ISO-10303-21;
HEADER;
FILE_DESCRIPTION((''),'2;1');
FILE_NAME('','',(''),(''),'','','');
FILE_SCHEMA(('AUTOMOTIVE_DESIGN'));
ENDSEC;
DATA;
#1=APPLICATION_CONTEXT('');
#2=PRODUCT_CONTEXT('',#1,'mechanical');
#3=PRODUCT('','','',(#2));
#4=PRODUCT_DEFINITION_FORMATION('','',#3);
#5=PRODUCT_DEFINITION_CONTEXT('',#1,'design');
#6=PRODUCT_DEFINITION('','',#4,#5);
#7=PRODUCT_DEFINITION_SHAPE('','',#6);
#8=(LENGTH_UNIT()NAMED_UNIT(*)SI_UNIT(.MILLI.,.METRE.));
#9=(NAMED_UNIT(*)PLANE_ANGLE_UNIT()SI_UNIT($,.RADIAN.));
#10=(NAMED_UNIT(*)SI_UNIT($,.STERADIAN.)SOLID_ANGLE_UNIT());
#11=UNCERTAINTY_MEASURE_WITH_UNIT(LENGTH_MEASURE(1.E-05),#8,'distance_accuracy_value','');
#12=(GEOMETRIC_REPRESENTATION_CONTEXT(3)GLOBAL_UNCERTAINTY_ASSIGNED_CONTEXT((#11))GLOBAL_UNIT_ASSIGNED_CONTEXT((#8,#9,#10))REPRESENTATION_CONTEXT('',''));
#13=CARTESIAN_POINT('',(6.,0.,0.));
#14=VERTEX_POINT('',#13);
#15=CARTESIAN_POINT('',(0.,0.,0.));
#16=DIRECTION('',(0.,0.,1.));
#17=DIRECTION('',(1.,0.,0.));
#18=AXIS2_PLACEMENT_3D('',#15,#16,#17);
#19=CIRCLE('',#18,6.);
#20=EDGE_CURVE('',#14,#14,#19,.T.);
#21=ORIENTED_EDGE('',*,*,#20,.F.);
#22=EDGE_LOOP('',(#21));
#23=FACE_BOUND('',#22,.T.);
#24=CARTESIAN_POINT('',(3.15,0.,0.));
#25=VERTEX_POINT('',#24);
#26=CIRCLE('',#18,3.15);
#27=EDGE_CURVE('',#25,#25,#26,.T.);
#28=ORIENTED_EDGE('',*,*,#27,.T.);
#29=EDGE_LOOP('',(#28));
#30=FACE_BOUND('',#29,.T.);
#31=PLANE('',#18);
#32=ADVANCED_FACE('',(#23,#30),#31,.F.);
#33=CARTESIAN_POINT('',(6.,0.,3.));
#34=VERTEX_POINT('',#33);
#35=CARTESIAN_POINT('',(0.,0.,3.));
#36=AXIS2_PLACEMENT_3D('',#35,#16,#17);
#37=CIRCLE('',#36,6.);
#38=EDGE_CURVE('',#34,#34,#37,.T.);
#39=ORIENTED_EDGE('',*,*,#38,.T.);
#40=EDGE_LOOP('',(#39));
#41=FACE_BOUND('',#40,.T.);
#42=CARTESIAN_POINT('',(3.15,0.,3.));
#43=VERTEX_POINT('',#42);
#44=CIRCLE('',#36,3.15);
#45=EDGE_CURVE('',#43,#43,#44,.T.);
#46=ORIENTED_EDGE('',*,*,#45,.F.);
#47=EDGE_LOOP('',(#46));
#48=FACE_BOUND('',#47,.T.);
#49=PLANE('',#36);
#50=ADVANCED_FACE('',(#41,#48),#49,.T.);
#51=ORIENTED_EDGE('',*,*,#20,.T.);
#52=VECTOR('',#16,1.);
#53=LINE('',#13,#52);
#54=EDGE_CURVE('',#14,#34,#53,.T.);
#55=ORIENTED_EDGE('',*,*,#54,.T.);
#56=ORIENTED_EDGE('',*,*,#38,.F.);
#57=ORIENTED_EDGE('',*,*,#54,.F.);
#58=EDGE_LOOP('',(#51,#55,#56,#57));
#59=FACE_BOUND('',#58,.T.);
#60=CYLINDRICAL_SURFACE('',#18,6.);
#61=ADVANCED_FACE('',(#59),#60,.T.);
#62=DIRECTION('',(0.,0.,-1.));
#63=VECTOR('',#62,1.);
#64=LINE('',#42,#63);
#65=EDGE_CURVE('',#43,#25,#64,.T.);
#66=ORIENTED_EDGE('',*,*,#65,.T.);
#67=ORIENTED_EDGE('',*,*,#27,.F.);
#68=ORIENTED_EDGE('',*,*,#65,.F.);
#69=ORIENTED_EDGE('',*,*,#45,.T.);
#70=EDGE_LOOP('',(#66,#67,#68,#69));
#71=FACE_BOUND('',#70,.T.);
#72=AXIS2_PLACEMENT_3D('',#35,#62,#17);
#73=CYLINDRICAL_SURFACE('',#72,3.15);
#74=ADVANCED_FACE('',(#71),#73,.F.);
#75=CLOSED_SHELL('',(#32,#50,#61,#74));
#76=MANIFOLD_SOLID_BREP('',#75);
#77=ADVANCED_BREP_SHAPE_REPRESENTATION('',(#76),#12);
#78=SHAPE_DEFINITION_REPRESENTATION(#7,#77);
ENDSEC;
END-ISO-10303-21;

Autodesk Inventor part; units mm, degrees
ref_plane "YZ Plane" through (0, 0, 0) normal (1, 0, 0) x (0, 1, 0)
ref_plane "XZ Plane" through (0, 0, 0) normal (0, 1, 0) x (-1, 0, 0)
ref_plane "XY Plane" through (0, 0, 0) normal (0, 0, 1) x (1, 0, 0)
sketch "Sketch1" plane through (0, 0, 0) normal (0, 1, 0) x (-1, 0, 0)
  line L0 (0, 0) -> (0, 3)
  line L1 (-3.15, 3) -> (-3.15, 0)
  line L2 (-3.15, 0) -> (-6, 0)
  line L3 (-6, 0) -> (-6, 3)
  line L4 (-6, 3) -> (-3.15, 3)
  dimension "InsideDiameter" = 6.3
  dimension "OuterDiameter" = 12
  dimension "Thickness" = 3
revolve "Revolution1" add sketch "Sketch1" angle 360 about axis through (0, 0, 0) along (0, 0, 1)
properties part number "CC-0612-30B" material "Acetal Resin, Black"
